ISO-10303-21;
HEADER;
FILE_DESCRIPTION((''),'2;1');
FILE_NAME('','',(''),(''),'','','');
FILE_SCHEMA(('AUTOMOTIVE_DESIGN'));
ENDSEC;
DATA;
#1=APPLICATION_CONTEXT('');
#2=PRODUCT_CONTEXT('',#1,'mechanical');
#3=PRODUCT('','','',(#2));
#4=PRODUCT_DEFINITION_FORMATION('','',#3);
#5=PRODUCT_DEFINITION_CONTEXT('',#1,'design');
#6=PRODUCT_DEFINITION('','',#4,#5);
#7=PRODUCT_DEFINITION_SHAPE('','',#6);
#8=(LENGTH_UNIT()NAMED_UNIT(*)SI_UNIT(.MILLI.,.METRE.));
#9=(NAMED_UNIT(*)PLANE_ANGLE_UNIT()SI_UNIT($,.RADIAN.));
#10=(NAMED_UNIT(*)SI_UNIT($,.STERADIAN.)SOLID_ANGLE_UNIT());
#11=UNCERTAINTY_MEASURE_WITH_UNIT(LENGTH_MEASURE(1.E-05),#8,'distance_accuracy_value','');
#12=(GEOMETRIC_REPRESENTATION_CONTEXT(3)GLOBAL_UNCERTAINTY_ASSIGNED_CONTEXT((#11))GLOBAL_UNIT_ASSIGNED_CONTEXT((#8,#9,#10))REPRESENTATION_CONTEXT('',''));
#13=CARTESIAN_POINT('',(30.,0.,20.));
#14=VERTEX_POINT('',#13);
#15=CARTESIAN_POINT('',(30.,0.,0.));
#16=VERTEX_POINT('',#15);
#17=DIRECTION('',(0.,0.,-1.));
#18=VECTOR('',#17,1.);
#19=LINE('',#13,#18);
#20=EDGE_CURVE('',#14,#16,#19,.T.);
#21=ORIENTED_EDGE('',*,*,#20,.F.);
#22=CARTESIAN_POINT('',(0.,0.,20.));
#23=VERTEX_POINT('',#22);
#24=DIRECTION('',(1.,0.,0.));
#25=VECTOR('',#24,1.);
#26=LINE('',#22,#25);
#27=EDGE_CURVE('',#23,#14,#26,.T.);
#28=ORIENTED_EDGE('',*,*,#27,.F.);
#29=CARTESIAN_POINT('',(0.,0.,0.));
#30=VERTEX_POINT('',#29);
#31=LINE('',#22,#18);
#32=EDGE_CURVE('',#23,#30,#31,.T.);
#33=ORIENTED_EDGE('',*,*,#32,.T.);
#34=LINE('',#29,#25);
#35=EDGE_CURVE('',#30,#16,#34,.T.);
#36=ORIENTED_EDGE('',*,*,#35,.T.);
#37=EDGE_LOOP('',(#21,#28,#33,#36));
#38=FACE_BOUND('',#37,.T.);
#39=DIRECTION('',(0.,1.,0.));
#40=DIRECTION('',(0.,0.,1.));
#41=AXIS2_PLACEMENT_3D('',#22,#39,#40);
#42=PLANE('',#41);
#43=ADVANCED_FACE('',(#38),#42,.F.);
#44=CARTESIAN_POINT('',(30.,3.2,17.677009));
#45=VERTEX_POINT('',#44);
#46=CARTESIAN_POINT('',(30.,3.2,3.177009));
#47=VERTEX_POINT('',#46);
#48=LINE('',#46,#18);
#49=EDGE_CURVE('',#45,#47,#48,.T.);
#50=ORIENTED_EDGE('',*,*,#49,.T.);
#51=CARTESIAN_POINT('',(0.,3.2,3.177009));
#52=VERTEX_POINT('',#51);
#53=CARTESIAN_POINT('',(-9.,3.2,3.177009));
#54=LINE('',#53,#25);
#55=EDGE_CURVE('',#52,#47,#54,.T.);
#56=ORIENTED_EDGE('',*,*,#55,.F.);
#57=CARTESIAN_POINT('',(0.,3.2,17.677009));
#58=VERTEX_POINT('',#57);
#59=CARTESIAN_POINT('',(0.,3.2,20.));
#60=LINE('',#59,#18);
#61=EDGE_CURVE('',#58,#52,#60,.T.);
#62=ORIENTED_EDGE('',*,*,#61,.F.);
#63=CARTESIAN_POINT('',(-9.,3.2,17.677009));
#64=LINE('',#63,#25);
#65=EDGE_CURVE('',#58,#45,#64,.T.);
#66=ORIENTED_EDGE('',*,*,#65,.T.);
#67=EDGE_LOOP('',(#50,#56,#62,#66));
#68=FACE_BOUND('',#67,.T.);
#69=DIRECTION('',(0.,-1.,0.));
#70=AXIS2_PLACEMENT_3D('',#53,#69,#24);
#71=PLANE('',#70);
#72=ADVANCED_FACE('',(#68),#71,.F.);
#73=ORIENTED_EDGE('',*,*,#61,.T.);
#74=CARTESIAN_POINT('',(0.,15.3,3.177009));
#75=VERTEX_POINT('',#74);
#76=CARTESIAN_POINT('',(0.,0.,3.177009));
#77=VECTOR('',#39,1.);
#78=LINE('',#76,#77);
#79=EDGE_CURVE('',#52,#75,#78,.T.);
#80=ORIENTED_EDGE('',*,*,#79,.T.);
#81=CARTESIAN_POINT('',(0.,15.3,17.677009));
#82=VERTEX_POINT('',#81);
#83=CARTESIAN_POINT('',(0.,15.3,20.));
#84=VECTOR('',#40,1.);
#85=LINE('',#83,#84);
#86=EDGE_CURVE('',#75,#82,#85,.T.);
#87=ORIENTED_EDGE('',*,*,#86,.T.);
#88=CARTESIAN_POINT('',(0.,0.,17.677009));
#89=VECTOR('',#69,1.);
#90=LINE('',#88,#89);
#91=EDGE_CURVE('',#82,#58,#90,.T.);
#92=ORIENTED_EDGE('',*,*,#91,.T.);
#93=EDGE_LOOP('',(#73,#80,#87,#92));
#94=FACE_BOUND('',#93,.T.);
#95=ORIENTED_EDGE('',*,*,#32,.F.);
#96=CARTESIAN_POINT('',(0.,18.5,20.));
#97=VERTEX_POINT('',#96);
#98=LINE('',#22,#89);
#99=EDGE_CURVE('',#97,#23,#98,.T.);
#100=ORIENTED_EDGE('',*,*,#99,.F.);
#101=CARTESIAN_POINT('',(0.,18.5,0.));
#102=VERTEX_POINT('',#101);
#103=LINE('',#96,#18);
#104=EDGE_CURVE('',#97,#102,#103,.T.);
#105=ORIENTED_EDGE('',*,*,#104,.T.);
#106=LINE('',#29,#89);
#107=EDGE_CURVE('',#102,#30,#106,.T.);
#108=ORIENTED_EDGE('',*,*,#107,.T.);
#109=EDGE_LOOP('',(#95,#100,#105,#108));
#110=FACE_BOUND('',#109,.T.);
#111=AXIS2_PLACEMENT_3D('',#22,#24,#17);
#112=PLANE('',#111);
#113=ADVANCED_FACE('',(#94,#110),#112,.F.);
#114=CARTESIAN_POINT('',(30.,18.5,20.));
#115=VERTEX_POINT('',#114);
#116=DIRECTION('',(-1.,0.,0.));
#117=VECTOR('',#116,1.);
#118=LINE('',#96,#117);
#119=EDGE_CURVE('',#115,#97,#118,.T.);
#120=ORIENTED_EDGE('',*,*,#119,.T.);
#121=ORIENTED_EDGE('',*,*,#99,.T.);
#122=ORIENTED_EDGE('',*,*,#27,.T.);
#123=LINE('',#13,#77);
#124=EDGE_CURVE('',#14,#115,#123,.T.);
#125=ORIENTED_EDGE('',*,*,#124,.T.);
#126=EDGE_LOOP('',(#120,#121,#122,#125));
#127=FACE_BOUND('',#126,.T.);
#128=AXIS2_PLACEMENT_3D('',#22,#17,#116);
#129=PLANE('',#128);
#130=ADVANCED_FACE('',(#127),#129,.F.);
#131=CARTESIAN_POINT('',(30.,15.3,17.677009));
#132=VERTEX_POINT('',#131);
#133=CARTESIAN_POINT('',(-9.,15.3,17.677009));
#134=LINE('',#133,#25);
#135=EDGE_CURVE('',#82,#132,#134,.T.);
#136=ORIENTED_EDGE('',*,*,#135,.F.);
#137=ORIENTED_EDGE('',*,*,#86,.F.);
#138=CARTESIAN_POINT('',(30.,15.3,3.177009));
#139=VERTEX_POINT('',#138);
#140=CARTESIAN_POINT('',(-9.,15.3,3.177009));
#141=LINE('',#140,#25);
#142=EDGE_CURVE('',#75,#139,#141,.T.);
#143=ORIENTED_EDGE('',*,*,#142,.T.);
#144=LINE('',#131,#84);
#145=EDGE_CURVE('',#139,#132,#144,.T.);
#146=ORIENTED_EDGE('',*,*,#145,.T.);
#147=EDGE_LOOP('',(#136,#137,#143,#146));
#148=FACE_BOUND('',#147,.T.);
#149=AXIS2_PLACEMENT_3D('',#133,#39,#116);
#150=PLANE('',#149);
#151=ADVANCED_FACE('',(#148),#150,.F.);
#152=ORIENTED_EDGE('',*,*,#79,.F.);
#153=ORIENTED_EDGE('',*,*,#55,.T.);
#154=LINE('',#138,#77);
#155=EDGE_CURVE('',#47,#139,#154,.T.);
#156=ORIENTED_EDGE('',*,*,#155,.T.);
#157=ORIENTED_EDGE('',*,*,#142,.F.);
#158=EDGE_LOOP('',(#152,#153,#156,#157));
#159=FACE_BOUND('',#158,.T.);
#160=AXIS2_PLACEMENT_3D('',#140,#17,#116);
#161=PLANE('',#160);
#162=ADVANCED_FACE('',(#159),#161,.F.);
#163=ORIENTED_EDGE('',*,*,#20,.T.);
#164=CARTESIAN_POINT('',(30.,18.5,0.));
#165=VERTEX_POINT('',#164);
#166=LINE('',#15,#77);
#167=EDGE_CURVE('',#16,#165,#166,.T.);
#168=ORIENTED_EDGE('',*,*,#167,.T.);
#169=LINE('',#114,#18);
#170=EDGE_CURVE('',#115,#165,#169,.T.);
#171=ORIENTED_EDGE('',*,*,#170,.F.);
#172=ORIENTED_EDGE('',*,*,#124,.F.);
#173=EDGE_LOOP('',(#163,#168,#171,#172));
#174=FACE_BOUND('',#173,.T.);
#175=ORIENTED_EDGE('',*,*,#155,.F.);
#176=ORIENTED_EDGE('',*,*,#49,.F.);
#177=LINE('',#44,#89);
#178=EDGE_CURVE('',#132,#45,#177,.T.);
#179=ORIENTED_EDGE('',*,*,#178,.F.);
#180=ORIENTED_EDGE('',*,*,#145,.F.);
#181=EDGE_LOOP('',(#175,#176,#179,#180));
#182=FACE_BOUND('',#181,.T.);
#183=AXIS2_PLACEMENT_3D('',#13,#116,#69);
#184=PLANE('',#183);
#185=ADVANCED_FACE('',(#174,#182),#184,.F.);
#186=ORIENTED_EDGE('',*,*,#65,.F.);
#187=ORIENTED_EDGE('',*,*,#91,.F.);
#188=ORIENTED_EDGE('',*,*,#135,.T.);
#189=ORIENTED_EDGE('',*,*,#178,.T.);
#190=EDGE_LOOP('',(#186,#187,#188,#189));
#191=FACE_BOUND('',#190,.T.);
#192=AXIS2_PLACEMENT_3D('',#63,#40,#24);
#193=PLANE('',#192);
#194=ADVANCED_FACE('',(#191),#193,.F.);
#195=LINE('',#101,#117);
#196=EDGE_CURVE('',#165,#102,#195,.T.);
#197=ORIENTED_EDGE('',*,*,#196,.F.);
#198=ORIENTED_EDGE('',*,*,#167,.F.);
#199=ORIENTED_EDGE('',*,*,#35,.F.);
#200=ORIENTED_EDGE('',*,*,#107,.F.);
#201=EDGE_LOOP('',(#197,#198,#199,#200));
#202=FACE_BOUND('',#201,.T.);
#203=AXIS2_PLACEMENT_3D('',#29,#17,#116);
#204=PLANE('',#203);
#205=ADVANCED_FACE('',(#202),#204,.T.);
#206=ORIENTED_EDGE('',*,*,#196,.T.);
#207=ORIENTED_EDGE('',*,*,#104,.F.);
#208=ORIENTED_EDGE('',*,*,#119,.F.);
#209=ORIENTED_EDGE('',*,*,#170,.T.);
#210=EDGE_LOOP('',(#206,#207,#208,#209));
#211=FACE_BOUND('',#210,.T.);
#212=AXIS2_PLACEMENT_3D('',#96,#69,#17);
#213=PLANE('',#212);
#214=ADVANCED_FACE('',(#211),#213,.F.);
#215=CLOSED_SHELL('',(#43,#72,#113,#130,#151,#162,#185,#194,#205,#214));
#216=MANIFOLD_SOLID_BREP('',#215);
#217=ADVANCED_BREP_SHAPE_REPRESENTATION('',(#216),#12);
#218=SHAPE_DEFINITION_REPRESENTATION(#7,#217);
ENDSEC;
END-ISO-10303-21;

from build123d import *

# Parameters (mm, degrees)
ESQUISSE1_W             = 30
ESQUISSE1_H             = 18.5
BOSS_EXTRU_1_DEPTH      = 20
ESQUISSE2_W             = 14.5
ESQUISSE2_H             = 12.1
ENL_V_MAT_EXTRU_1_DEPTH = 39


with BuildPart() as part:
    # Esquisse1 → Boss.-Extru.1 (new body)
    with BuildSketch(Plane.XY):
        with Locations((15, 9.25)):
            Rectangle(ESQUISSE1_W, ESQUISSE1_H)
    extrude(amount=BOSS_EXTRU_1_DEPTH)

    # Esquisse2 → Enlèv. mat.-Extru.1 (cut)
    with BuildSketch(Plane(origin=(30, 0, 0), x_dir=(0, 0, -1), z_dir=(1, 0, 0))):
        with Locations((-10.427008648, 9.25)):
            Rectangle(ESQUISSE2_W, ESQUISSE2_H)
    extrude(amount=-ENL_V_MAT_EXTRU_1_DEPTH, mode=Mode.SUBTRACT)


solid = part.part
